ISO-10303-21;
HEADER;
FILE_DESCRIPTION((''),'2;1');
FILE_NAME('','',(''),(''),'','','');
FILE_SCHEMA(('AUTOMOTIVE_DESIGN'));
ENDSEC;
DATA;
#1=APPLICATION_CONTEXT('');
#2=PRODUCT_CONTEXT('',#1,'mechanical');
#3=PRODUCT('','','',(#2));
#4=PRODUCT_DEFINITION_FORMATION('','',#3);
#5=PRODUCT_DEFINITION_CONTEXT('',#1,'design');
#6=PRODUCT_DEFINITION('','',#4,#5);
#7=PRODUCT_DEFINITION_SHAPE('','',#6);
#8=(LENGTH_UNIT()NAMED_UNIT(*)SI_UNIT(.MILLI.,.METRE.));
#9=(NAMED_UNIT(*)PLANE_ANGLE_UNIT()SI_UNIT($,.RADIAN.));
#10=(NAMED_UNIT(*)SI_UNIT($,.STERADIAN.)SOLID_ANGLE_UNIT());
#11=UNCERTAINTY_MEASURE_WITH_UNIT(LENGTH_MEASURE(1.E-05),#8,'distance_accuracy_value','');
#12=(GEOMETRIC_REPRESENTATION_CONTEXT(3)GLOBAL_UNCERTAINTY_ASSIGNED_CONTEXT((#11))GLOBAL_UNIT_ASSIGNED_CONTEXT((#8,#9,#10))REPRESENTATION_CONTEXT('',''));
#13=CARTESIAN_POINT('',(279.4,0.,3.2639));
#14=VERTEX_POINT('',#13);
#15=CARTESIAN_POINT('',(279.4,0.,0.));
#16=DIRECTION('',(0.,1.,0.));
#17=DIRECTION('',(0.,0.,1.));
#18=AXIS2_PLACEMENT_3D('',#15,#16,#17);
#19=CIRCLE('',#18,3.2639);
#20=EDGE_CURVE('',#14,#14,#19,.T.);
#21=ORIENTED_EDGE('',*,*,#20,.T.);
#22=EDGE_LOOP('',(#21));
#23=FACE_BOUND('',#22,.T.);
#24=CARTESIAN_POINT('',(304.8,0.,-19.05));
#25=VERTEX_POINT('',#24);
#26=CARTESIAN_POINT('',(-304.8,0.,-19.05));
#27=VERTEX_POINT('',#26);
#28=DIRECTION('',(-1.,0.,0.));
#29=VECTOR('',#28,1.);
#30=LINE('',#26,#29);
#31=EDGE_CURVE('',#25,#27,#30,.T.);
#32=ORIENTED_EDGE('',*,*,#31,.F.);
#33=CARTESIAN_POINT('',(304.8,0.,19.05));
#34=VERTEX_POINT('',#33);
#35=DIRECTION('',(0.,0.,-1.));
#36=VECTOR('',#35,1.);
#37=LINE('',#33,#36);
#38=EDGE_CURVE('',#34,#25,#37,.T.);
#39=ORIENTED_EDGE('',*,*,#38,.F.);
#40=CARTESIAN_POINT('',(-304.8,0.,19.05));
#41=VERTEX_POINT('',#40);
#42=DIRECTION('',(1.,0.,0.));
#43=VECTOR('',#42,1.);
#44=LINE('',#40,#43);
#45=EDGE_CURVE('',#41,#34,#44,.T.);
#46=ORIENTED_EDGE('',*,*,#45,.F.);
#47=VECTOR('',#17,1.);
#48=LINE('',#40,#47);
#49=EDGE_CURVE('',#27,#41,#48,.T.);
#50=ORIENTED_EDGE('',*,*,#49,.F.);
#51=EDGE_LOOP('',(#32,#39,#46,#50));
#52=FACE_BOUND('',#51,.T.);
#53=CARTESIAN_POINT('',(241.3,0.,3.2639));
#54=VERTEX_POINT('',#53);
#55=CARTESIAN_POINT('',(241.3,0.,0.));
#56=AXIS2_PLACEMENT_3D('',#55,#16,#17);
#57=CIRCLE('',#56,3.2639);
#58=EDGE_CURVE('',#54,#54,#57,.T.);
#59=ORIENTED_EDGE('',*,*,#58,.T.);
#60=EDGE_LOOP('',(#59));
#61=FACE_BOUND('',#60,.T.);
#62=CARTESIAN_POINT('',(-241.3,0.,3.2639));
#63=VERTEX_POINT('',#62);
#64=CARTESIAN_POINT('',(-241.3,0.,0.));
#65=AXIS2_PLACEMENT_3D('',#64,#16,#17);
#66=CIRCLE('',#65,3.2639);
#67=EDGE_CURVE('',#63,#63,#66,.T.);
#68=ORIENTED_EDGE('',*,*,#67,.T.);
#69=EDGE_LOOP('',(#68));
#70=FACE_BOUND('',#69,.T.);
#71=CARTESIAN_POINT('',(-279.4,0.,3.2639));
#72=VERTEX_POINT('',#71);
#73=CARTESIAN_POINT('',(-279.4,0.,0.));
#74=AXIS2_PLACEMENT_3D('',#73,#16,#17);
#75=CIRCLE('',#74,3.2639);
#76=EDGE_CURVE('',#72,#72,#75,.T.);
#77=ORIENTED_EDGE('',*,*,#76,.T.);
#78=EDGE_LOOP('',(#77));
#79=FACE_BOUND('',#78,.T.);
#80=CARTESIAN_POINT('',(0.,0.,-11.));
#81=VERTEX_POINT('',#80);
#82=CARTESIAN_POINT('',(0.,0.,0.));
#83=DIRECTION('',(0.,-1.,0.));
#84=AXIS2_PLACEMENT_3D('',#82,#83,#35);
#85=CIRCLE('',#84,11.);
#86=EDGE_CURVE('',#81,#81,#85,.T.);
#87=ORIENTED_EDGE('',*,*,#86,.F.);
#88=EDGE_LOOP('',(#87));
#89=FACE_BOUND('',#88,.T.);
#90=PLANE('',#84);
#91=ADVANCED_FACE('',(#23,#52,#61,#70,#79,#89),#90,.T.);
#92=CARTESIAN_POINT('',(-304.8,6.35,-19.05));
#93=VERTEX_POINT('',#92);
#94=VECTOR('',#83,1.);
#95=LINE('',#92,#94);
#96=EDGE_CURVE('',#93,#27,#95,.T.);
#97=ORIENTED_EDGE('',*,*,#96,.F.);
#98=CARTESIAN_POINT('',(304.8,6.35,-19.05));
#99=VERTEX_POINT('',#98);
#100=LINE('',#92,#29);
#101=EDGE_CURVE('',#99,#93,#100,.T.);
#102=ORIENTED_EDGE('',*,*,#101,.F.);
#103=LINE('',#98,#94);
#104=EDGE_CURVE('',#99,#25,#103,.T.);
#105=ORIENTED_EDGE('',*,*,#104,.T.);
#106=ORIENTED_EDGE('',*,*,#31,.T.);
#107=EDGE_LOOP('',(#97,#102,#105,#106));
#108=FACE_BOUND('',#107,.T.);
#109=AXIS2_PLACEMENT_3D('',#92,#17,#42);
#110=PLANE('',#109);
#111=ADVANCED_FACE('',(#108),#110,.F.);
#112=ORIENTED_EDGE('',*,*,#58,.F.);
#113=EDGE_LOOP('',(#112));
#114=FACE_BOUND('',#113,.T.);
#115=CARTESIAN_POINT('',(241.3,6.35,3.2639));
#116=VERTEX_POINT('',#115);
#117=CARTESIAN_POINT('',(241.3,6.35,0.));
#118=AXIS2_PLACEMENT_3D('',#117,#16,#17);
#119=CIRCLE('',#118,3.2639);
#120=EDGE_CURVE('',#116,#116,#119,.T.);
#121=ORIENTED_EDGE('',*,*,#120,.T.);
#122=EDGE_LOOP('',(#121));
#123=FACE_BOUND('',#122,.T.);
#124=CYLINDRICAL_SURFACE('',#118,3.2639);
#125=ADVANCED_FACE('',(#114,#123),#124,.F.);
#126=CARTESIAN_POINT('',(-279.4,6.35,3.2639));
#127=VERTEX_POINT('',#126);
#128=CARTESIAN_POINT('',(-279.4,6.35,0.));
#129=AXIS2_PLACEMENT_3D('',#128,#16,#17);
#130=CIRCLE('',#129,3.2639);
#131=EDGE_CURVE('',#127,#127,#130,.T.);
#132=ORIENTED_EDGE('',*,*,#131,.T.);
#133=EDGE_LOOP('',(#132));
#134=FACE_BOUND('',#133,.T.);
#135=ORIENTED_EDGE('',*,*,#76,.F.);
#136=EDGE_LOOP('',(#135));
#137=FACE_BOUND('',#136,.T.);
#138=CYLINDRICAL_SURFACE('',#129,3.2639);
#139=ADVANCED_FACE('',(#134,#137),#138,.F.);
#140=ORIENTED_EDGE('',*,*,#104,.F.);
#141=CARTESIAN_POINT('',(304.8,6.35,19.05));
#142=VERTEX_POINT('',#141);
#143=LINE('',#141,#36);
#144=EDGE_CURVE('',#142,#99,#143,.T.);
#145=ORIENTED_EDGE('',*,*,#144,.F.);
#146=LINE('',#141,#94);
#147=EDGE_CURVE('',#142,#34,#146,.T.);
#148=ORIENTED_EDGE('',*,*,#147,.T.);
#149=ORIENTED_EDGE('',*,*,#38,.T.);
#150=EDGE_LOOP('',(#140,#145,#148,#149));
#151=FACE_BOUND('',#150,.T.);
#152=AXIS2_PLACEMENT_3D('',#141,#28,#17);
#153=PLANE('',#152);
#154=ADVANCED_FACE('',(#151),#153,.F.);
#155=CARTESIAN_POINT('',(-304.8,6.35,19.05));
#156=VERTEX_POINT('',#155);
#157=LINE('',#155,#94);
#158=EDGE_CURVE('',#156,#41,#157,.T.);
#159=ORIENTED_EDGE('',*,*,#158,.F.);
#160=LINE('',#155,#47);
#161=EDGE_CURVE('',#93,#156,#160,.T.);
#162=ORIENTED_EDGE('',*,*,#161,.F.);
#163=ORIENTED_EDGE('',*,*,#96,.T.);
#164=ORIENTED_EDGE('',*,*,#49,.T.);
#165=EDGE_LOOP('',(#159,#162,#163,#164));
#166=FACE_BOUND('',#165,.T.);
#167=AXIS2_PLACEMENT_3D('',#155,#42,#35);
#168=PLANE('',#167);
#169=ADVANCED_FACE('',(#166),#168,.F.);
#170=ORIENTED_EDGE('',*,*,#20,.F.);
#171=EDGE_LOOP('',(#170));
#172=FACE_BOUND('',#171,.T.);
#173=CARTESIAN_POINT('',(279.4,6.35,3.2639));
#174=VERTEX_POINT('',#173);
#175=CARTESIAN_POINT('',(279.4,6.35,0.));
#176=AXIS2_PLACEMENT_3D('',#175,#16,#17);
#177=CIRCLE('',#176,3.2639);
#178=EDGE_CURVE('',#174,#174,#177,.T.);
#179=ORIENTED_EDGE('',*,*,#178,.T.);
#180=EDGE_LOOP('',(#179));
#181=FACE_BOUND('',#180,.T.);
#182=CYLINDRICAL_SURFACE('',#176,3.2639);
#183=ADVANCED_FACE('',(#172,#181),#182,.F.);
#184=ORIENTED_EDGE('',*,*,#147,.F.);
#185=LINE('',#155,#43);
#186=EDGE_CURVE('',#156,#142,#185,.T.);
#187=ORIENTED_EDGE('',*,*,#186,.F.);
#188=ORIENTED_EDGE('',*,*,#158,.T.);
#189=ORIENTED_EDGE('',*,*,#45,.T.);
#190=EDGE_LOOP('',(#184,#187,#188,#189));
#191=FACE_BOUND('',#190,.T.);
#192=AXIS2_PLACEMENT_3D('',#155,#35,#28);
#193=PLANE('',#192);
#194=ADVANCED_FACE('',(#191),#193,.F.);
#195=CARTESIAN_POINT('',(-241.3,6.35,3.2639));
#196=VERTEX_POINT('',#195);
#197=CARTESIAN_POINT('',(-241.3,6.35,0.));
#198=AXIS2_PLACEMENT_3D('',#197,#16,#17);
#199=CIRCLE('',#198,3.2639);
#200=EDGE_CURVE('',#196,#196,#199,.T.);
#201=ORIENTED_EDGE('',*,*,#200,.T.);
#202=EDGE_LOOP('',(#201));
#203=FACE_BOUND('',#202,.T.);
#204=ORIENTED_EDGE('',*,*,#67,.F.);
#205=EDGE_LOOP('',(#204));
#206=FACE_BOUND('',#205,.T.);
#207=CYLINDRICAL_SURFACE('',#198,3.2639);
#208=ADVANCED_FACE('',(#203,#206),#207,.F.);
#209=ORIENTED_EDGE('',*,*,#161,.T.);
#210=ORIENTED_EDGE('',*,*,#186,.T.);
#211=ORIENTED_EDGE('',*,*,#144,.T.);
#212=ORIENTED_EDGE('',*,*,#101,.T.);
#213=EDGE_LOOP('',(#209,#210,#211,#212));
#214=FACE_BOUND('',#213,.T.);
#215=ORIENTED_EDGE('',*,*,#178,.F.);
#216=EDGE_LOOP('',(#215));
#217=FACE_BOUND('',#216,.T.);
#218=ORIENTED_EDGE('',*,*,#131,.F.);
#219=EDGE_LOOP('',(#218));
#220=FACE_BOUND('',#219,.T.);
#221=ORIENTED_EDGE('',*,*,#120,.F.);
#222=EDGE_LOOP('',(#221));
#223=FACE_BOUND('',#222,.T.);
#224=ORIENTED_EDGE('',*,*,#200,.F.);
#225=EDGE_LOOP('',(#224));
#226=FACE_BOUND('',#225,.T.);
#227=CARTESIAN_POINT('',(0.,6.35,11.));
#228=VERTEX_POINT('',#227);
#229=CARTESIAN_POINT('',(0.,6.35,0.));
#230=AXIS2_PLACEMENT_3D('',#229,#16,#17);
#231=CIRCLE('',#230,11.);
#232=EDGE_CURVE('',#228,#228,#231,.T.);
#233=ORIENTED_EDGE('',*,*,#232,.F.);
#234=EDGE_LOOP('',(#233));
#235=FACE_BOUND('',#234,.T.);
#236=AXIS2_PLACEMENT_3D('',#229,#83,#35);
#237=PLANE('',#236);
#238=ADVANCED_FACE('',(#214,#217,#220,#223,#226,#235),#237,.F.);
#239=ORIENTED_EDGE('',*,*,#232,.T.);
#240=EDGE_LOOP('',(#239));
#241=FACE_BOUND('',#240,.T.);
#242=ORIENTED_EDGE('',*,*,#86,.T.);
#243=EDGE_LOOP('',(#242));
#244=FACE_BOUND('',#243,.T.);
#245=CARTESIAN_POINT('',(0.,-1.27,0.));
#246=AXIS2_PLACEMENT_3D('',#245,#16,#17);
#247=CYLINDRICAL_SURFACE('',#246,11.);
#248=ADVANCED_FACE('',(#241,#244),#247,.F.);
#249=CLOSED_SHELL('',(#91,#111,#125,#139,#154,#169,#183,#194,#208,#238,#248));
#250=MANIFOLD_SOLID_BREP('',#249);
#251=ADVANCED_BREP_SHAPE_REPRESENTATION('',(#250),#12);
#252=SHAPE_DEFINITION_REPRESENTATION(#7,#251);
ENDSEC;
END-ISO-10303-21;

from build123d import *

# Parameters (mm, degrees)
SKETCH1_W                = 609.6
SKETCH1_H                = 38.1
BOSS_EXTRUDE1_DEPTH      = 6.35
SKETCH2_R                = 11
CUT_EXTRUDE1_DEPTH       = 7.62
F_0_257_DIAMETER_HOLE2_D = 6.5278


with BuildPart() as part:
    # Sketch1 → Boss-Extrude1 (new body)
    with BuildSketch(Plane(origin=(0, 0, 0), x_dir=(1, 0, 0), z_dir=(0, 1, 0))):
        Rectangle(SKETCH1_W, SKETCH1_H)
    extrude(amount=BOSS_EXTRUDE1_DEPTH)

    # Sketch2 → Cut-Extrude1 (cut)
    with BuildSketch(Plane(origin=(0, 6.35, 0), x_dir=(1, 0, 0), z_dir=(0, 1, 0))):
        Circle(SKETCH2_R)
    extrude(amount=-CUT_EXTRUDE1_DEPTH, mode=Mode.SUBTRACT)

    # F (0.257) Diameter Hole2 (through all)
    with Locations(Plane(origin=(0, 6.35, 0), x_dir=(1, 0, 0), z_dir=(0, 1, 0))):
        with Locations((-241.3, 0), (-279.4, 0)):
            f_0_257_diameter_hole2 = Hole(F_0_257_DIAMETER_HOLE2_D / 2)

    # Mirror1: F (0.257) Diameter Hole2 across plane
    add(f_0_257_diameter_hole2.mirror(Plane(origin=(0, 0, 0), x_dir=(0, 0, 1), z_dir=(1, 0, 0))), mode=Mode.SUBTRACT)


solid = part.part
